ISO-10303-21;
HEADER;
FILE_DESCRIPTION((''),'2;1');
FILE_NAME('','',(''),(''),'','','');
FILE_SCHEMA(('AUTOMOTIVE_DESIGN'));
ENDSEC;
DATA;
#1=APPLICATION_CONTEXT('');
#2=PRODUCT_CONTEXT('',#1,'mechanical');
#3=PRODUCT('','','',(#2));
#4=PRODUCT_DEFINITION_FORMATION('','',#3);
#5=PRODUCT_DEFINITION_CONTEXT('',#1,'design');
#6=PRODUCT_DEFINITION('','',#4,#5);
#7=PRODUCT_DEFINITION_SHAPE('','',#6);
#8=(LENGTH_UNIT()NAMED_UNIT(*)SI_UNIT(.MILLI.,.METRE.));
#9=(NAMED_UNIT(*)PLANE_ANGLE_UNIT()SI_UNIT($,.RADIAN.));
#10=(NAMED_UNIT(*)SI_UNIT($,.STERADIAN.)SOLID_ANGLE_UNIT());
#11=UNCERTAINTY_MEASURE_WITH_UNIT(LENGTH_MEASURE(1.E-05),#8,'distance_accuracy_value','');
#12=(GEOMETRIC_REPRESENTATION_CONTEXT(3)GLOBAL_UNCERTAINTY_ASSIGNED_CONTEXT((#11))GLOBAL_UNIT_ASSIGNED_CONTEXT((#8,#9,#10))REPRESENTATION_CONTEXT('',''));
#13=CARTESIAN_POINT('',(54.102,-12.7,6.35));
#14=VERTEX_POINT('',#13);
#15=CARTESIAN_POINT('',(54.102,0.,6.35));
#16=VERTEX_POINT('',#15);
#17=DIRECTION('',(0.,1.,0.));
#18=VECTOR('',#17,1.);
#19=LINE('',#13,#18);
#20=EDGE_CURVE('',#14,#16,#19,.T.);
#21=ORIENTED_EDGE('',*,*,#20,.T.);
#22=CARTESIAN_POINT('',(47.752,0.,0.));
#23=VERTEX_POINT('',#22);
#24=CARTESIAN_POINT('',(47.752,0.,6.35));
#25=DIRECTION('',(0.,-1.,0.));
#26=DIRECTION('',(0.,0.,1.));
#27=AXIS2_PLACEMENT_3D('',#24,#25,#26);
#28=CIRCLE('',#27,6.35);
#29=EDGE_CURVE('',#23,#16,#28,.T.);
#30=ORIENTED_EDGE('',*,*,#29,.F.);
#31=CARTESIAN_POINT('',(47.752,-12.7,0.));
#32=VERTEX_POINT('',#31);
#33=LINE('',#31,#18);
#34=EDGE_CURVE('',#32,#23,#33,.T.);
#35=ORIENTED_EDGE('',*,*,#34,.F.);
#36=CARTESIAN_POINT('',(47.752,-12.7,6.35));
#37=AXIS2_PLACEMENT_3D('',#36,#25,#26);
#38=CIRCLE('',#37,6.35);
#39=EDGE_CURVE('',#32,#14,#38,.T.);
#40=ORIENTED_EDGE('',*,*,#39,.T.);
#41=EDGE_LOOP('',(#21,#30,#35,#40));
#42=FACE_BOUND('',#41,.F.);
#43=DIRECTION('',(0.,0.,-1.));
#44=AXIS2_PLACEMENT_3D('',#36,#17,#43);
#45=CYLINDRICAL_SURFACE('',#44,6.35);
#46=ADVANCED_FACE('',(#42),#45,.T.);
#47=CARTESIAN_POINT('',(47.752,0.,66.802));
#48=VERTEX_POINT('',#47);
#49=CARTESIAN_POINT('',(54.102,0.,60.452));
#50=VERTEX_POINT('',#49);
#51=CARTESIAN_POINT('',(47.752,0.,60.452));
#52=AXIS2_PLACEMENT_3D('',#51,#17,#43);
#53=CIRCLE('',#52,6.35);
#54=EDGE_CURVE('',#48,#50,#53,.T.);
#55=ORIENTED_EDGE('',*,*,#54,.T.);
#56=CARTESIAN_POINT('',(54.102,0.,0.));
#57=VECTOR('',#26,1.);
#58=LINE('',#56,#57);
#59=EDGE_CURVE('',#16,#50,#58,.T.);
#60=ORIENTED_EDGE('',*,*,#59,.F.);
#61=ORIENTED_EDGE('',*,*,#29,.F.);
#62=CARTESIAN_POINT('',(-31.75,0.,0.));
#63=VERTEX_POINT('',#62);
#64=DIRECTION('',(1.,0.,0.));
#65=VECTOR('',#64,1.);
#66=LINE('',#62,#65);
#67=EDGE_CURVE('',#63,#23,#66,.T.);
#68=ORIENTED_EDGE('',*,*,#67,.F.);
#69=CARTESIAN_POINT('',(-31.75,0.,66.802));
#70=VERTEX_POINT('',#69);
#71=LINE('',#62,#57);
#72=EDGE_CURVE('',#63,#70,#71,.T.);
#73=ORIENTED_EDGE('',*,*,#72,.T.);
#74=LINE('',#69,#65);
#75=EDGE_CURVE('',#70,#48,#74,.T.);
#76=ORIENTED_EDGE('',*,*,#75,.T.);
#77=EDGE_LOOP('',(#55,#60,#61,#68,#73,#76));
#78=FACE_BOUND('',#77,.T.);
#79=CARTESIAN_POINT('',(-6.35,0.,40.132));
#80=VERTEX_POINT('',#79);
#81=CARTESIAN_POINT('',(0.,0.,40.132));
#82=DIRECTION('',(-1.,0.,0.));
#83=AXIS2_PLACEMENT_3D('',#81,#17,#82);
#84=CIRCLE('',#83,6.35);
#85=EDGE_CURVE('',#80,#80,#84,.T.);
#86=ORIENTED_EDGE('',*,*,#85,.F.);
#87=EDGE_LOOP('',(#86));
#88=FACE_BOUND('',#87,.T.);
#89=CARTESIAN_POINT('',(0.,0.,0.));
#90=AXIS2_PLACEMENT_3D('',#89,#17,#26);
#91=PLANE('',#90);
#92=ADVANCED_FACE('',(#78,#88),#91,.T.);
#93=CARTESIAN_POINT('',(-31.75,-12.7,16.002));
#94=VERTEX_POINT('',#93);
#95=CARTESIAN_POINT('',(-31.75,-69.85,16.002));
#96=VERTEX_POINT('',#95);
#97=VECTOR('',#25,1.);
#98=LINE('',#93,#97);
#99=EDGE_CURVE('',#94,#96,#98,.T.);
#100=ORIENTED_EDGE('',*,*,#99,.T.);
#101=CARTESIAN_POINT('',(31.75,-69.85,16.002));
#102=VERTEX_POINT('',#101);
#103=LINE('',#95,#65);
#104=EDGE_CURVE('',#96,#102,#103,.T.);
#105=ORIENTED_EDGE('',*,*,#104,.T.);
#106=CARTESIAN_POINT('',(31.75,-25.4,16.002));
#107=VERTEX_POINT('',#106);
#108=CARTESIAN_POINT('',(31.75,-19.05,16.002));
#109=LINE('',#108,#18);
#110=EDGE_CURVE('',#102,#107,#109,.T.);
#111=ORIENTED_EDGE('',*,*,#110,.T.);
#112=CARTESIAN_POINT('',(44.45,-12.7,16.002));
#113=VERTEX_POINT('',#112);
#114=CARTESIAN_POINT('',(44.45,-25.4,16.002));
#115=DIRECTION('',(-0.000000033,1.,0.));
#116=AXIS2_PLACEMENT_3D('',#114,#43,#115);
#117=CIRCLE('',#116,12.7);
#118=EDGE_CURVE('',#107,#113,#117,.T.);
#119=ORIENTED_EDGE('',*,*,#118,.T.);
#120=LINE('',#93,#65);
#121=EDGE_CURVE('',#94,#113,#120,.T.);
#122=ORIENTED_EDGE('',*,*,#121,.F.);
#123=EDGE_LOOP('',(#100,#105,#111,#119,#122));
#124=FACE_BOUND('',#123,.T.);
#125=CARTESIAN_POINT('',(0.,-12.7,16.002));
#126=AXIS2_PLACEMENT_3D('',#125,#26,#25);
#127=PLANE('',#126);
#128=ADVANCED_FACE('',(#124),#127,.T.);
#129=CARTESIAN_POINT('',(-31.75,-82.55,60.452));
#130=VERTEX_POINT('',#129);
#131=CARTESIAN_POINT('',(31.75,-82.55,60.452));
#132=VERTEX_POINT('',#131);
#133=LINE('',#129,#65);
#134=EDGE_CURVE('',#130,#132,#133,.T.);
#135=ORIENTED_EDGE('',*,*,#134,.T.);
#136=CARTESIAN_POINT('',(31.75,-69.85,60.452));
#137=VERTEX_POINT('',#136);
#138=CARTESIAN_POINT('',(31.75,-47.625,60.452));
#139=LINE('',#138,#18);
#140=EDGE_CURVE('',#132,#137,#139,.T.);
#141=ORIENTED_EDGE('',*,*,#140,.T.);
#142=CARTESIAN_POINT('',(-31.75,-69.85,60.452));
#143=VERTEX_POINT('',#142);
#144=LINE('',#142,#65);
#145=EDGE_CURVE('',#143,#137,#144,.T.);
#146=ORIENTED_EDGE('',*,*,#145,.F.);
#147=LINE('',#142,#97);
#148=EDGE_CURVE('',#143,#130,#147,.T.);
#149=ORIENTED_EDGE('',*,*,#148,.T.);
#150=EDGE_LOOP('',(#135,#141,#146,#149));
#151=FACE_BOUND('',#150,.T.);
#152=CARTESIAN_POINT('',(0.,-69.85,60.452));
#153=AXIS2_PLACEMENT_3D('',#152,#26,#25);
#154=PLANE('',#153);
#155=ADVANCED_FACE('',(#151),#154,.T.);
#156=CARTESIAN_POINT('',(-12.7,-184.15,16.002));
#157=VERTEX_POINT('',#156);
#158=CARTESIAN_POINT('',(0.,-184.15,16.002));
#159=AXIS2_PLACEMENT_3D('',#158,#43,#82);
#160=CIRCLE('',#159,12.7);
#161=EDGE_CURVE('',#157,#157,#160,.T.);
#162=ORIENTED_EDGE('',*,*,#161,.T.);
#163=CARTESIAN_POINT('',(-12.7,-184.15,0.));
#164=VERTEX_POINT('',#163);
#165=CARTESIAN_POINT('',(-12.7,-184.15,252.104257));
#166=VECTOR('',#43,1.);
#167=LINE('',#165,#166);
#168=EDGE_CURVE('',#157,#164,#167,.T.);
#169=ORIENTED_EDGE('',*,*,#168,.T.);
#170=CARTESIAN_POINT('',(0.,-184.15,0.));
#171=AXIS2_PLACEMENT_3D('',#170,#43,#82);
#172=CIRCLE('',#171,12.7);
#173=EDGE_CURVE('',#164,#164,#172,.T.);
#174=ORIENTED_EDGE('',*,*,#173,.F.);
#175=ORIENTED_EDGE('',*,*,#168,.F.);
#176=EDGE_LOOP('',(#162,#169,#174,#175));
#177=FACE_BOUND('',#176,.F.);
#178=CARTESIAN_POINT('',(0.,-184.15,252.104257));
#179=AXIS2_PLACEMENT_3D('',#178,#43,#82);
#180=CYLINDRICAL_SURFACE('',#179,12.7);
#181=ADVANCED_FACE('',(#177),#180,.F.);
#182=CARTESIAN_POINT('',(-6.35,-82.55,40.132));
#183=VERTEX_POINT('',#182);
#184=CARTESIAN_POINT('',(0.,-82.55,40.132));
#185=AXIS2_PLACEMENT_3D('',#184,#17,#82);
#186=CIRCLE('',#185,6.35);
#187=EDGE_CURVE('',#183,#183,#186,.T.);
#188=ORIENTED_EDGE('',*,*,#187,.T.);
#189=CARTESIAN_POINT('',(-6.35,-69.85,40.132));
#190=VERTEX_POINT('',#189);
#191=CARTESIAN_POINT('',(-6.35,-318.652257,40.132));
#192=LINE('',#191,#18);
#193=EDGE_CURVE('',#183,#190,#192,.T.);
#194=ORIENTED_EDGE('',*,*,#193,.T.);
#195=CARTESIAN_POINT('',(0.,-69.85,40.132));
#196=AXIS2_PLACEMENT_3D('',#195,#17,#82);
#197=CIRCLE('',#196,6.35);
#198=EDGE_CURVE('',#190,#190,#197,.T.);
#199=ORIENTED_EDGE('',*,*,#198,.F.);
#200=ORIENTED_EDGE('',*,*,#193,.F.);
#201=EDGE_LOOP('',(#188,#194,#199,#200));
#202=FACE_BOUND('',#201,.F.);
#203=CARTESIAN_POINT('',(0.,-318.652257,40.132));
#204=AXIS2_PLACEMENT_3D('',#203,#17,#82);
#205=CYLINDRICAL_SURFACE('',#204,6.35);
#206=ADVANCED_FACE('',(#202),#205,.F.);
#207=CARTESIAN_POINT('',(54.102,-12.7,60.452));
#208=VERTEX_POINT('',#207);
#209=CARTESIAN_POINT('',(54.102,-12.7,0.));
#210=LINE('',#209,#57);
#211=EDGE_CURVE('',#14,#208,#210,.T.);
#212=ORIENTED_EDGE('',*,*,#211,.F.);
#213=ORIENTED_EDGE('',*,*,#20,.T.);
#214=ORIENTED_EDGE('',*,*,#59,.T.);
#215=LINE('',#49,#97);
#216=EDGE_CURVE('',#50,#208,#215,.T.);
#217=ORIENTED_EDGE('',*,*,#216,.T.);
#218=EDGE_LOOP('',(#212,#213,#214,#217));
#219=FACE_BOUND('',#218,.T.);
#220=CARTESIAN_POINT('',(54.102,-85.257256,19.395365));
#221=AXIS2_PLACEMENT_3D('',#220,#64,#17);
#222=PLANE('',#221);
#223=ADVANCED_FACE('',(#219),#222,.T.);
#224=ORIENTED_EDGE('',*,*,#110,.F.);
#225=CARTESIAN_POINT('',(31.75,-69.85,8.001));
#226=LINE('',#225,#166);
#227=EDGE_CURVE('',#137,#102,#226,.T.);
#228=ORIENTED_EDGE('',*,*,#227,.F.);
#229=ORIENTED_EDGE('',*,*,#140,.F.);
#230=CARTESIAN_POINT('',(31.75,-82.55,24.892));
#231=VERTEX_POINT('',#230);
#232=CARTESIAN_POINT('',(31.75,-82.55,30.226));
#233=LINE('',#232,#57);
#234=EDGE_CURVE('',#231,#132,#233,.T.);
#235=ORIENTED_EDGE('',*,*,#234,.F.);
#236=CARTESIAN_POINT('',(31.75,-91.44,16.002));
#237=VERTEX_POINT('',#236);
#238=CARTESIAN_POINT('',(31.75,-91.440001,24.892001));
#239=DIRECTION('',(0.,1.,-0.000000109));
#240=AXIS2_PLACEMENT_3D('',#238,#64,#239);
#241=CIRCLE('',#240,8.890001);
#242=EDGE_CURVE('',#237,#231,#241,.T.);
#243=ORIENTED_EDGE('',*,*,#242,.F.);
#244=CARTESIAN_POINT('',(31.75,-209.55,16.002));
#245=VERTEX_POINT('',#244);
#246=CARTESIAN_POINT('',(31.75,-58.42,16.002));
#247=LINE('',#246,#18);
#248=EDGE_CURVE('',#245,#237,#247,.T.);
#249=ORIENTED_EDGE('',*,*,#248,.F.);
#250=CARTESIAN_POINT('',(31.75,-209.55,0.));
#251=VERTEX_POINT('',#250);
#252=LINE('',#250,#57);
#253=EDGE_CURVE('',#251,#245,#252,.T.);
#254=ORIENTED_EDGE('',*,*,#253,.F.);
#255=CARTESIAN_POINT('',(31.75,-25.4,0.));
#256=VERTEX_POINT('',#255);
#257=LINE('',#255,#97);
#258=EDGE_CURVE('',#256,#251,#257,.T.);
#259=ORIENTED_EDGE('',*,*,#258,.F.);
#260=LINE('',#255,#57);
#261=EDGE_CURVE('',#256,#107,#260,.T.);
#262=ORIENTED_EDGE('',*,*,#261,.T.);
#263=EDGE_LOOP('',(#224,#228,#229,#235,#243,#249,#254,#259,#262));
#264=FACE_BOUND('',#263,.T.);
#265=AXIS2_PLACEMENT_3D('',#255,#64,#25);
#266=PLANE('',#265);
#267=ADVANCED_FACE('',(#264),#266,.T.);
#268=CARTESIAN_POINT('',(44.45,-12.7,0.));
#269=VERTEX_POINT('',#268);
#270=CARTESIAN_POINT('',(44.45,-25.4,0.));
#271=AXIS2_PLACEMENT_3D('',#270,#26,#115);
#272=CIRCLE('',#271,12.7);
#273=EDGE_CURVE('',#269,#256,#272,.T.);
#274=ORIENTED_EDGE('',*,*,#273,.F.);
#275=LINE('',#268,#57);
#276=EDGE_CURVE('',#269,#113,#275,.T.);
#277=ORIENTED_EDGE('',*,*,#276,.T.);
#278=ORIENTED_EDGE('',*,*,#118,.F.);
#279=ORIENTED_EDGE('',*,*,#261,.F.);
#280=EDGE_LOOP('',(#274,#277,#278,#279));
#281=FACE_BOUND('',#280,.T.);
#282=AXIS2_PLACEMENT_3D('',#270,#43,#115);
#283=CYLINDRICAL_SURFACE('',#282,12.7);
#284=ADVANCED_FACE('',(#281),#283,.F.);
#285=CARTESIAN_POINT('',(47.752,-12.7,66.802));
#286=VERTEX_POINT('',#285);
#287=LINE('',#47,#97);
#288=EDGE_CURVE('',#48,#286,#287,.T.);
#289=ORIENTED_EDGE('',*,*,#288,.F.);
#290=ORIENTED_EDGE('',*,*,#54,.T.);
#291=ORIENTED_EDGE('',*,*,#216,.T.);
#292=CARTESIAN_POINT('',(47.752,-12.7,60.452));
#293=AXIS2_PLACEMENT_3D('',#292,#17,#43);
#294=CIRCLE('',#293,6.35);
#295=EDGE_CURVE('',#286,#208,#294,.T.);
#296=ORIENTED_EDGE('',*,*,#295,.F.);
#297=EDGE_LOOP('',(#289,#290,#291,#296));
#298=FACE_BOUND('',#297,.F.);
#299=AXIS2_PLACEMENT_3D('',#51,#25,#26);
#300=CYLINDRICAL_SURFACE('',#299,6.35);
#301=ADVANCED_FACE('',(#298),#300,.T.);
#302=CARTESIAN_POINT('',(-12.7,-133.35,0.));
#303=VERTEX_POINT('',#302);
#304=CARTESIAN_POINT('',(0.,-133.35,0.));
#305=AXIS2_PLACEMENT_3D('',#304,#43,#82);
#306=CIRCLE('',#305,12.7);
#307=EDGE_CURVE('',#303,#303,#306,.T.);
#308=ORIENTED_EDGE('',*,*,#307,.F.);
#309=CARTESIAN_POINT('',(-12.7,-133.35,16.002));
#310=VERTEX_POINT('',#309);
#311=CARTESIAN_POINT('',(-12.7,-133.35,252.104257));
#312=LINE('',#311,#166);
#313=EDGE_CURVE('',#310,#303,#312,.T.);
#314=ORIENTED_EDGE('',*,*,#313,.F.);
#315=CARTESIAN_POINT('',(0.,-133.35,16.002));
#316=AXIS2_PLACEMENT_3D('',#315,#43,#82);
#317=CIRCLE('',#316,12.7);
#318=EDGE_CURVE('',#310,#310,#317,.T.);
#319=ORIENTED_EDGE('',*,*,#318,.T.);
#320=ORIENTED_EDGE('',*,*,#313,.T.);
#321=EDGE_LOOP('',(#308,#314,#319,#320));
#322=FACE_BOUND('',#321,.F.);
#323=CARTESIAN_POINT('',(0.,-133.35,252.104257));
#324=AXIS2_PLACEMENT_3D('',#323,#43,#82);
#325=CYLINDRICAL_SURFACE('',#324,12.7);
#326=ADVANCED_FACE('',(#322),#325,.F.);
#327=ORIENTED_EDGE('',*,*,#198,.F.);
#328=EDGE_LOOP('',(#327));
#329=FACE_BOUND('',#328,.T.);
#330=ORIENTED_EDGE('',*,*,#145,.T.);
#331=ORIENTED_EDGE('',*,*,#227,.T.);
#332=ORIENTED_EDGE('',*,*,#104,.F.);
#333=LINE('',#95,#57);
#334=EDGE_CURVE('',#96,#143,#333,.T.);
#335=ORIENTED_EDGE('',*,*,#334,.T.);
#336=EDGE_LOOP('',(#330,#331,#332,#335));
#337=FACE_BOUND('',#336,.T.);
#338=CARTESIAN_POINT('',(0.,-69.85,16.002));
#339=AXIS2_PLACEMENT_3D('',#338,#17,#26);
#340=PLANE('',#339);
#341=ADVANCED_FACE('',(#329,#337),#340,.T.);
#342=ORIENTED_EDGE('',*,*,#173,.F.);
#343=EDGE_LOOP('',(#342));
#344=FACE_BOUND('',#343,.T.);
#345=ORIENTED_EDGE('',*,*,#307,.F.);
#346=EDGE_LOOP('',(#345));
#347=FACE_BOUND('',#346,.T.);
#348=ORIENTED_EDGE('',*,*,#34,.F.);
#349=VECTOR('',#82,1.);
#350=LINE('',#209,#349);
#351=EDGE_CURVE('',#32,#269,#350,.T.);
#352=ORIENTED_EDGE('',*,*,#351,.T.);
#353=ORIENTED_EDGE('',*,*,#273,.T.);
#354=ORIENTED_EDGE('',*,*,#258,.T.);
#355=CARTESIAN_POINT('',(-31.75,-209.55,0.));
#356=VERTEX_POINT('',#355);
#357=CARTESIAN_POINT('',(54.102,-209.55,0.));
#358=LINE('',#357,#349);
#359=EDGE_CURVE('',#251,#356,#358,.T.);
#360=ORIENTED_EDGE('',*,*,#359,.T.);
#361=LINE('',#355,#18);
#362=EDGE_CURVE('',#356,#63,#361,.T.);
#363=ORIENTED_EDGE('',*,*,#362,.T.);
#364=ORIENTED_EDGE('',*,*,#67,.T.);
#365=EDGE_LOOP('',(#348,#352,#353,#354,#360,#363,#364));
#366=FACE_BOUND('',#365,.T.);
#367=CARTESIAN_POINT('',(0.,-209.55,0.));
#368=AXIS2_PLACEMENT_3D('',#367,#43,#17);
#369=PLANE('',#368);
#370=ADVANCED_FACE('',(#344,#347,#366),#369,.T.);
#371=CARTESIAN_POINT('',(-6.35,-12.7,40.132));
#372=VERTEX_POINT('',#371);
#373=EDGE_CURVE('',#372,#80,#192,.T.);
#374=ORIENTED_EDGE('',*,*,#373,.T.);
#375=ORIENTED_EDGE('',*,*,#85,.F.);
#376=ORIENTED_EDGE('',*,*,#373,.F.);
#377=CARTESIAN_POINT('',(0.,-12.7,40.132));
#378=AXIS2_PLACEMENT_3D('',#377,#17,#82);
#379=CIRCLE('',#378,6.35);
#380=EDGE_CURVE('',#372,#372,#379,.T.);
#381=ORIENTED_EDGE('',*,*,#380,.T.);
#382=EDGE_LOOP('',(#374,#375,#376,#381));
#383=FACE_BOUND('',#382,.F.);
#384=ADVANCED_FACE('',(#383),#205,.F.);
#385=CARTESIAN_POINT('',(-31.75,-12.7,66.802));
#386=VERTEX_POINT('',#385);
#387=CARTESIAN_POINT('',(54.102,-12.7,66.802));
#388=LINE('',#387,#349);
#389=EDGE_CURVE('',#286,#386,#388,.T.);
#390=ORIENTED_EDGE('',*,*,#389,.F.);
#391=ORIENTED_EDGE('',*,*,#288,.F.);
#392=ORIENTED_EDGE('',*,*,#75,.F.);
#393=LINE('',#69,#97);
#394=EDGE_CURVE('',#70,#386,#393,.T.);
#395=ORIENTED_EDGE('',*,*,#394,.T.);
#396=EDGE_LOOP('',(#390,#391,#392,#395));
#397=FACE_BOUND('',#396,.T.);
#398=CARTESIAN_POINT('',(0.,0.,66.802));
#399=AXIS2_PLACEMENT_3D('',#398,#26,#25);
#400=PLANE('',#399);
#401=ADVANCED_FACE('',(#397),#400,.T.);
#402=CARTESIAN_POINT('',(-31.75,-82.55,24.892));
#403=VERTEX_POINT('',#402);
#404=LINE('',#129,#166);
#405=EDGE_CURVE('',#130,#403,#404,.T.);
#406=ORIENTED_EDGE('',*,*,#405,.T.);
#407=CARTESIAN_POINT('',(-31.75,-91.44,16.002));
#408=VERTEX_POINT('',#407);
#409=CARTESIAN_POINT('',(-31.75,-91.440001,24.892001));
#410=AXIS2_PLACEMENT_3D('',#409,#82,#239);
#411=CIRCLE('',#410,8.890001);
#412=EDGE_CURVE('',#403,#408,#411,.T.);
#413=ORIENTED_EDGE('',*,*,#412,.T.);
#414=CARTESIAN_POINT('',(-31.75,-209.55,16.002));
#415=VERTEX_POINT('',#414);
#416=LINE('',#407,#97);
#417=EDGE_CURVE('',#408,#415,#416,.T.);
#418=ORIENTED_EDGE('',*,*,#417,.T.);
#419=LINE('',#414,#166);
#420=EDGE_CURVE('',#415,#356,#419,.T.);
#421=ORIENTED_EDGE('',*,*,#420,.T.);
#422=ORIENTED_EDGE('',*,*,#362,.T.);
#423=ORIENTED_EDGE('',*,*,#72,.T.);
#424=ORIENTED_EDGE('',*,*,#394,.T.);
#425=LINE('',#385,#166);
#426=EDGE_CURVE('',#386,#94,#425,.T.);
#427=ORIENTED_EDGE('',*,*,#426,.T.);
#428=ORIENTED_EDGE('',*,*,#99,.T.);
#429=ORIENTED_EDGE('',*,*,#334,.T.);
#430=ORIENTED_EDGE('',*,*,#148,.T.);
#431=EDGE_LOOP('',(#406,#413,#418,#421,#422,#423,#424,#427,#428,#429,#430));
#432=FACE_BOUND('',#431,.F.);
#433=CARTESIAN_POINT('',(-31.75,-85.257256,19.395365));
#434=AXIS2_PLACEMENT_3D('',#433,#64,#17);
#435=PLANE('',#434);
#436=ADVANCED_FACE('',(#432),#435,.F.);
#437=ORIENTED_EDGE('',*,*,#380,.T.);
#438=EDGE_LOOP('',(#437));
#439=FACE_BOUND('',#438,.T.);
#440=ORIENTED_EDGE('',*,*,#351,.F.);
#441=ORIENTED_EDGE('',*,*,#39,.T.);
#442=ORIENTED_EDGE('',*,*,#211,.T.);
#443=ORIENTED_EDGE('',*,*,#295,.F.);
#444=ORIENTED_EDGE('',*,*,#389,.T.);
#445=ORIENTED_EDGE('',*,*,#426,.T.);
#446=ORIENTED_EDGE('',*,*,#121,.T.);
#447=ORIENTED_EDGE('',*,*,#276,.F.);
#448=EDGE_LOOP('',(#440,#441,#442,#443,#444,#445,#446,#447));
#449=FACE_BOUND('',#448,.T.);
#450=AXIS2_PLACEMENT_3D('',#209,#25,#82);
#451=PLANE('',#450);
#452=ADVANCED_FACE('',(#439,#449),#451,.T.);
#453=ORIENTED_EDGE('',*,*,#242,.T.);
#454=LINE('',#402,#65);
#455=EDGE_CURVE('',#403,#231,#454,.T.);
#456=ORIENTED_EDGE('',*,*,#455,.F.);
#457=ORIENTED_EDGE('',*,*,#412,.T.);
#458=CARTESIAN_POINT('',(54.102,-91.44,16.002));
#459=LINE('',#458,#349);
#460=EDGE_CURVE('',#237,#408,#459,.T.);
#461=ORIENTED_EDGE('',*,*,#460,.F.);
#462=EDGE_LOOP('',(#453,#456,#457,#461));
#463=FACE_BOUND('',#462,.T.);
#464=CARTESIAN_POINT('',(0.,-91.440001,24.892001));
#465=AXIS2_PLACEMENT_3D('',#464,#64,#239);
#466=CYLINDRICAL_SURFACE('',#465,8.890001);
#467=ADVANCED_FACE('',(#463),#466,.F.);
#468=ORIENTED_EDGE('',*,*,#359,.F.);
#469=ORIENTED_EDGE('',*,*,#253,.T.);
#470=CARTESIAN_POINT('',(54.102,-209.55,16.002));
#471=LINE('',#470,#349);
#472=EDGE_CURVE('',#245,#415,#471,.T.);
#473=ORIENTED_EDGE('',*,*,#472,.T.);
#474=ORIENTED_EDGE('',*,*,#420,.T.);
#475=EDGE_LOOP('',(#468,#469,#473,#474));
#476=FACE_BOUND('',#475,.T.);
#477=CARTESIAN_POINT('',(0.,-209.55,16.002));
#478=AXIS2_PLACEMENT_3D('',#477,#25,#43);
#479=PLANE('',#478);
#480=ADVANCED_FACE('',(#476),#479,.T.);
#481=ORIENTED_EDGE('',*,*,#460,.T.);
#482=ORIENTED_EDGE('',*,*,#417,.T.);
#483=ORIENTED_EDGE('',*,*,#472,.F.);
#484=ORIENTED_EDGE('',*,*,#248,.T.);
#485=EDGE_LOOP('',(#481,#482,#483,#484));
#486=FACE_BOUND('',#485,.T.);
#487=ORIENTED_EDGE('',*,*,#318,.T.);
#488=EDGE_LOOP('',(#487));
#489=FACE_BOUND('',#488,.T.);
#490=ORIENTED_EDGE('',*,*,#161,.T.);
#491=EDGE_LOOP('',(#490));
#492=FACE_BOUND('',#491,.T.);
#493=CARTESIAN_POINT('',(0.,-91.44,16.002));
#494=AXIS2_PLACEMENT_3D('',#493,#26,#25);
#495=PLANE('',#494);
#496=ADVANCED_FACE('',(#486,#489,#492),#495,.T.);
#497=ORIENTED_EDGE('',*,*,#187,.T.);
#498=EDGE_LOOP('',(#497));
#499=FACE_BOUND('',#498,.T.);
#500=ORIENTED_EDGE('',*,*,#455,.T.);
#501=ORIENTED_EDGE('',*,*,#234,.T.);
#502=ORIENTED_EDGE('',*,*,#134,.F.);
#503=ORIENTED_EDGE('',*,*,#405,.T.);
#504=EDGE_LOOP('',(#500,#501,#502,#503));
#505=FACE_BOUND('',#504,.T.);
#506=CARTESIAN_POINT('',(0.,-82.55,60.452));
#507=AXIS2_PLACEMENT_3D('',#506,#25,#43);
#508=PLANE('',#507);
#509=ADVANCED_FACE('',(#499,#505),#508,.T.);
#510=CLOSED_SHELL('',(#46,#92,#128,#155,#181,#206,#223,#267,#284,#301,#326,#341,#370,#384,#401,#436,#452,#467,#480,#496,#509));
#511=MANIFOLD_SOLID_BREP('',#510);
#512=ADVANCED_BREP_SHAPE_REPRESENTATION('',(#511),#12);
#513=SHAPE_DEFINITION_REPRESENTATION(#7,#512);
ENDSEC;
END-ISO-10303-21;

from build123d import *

# Parameters (mm, degrees)
F1_DEPTH      = 54.102
F1_DEPTH_BACK = 31.75
F3_DEPTH      = 66.802
F4_R          = 6.35
F6_D          = 25.4
F8_D          = 12.7


with BuildPart() as f1:
    # F0 (on Right) → F1 (new body, two sides)
    with BuildSketch(Plane.YZ) as f1_sk:
        with BuildLine():
            Line((-209.55, 0), (0, 0))
            Line((0, 0), (0, 66.802))
            Line((0, 66.802), (-12.7, 66.802))
            Line((-12.7, 66.802), (-12.7, 16.002))
            Line((-12.7, 16.002), (-69.85, 16.002))
            Line((-69.85, 16.002), (-69.85, 60.452))
            Line((-69.85, 60.452), (-82.55, 60.452))
            Line((-82.55, 60.452), (-82.55, 24.892))
            ThreePointArc((-82.55, 24.892), (-85.153821, 18.605821), (-91.44, 16.002))
            Line((-91.44, 16.002), (-209.55, 16.002))
            Line((-209.55, 16.002), (-209.55, 0))
        make_face()
    extrude(amount=F1_DEPTH)
    extrude(f1_sk.sketch, amount=-F1_DEPTH_BACK)

    # F2 (on Top) → F3 (cut)
    with BuildSketch(Plane.XY):
        with BuildLine():
            Line((31.75, -209.55), (54.102, -209.55))
            Line((54.102, -209.55), (54.102, -12.7))
            Line((54.102, -12.7), (44.45, -12.7))
            ThreePointArc((44.45, -12.7), (35.469744, -16.419744), (31.75, -25.4))
            Line((31.75, -25.4), (31.75, -209.55))
        make_face()
    extrude(amount=F3_DEPTH, mode=Mode.SUBTRACT)

    # F4
    f4_edges = [f1.edges().sort_by_distance(p)[0] for p in [
        (54.102, -6.35, 0),
        (54.102, -6.35, 66.802),
    ]]
    fillet(f4_edges, radius=F4_R)

    # F6 (through all)
    with Locations(Plane.XY.offset(16.002)):
        with Locations((0, -133.35), (0, -184.15)):
            Hole(F6_D / 2)

    # F8 (through all)
    with Locations(Plane.XZ.offset(82.55)):
        with Locations((0, 40.132)):
            Hole(F8_D / 2)


solid = f1.part
